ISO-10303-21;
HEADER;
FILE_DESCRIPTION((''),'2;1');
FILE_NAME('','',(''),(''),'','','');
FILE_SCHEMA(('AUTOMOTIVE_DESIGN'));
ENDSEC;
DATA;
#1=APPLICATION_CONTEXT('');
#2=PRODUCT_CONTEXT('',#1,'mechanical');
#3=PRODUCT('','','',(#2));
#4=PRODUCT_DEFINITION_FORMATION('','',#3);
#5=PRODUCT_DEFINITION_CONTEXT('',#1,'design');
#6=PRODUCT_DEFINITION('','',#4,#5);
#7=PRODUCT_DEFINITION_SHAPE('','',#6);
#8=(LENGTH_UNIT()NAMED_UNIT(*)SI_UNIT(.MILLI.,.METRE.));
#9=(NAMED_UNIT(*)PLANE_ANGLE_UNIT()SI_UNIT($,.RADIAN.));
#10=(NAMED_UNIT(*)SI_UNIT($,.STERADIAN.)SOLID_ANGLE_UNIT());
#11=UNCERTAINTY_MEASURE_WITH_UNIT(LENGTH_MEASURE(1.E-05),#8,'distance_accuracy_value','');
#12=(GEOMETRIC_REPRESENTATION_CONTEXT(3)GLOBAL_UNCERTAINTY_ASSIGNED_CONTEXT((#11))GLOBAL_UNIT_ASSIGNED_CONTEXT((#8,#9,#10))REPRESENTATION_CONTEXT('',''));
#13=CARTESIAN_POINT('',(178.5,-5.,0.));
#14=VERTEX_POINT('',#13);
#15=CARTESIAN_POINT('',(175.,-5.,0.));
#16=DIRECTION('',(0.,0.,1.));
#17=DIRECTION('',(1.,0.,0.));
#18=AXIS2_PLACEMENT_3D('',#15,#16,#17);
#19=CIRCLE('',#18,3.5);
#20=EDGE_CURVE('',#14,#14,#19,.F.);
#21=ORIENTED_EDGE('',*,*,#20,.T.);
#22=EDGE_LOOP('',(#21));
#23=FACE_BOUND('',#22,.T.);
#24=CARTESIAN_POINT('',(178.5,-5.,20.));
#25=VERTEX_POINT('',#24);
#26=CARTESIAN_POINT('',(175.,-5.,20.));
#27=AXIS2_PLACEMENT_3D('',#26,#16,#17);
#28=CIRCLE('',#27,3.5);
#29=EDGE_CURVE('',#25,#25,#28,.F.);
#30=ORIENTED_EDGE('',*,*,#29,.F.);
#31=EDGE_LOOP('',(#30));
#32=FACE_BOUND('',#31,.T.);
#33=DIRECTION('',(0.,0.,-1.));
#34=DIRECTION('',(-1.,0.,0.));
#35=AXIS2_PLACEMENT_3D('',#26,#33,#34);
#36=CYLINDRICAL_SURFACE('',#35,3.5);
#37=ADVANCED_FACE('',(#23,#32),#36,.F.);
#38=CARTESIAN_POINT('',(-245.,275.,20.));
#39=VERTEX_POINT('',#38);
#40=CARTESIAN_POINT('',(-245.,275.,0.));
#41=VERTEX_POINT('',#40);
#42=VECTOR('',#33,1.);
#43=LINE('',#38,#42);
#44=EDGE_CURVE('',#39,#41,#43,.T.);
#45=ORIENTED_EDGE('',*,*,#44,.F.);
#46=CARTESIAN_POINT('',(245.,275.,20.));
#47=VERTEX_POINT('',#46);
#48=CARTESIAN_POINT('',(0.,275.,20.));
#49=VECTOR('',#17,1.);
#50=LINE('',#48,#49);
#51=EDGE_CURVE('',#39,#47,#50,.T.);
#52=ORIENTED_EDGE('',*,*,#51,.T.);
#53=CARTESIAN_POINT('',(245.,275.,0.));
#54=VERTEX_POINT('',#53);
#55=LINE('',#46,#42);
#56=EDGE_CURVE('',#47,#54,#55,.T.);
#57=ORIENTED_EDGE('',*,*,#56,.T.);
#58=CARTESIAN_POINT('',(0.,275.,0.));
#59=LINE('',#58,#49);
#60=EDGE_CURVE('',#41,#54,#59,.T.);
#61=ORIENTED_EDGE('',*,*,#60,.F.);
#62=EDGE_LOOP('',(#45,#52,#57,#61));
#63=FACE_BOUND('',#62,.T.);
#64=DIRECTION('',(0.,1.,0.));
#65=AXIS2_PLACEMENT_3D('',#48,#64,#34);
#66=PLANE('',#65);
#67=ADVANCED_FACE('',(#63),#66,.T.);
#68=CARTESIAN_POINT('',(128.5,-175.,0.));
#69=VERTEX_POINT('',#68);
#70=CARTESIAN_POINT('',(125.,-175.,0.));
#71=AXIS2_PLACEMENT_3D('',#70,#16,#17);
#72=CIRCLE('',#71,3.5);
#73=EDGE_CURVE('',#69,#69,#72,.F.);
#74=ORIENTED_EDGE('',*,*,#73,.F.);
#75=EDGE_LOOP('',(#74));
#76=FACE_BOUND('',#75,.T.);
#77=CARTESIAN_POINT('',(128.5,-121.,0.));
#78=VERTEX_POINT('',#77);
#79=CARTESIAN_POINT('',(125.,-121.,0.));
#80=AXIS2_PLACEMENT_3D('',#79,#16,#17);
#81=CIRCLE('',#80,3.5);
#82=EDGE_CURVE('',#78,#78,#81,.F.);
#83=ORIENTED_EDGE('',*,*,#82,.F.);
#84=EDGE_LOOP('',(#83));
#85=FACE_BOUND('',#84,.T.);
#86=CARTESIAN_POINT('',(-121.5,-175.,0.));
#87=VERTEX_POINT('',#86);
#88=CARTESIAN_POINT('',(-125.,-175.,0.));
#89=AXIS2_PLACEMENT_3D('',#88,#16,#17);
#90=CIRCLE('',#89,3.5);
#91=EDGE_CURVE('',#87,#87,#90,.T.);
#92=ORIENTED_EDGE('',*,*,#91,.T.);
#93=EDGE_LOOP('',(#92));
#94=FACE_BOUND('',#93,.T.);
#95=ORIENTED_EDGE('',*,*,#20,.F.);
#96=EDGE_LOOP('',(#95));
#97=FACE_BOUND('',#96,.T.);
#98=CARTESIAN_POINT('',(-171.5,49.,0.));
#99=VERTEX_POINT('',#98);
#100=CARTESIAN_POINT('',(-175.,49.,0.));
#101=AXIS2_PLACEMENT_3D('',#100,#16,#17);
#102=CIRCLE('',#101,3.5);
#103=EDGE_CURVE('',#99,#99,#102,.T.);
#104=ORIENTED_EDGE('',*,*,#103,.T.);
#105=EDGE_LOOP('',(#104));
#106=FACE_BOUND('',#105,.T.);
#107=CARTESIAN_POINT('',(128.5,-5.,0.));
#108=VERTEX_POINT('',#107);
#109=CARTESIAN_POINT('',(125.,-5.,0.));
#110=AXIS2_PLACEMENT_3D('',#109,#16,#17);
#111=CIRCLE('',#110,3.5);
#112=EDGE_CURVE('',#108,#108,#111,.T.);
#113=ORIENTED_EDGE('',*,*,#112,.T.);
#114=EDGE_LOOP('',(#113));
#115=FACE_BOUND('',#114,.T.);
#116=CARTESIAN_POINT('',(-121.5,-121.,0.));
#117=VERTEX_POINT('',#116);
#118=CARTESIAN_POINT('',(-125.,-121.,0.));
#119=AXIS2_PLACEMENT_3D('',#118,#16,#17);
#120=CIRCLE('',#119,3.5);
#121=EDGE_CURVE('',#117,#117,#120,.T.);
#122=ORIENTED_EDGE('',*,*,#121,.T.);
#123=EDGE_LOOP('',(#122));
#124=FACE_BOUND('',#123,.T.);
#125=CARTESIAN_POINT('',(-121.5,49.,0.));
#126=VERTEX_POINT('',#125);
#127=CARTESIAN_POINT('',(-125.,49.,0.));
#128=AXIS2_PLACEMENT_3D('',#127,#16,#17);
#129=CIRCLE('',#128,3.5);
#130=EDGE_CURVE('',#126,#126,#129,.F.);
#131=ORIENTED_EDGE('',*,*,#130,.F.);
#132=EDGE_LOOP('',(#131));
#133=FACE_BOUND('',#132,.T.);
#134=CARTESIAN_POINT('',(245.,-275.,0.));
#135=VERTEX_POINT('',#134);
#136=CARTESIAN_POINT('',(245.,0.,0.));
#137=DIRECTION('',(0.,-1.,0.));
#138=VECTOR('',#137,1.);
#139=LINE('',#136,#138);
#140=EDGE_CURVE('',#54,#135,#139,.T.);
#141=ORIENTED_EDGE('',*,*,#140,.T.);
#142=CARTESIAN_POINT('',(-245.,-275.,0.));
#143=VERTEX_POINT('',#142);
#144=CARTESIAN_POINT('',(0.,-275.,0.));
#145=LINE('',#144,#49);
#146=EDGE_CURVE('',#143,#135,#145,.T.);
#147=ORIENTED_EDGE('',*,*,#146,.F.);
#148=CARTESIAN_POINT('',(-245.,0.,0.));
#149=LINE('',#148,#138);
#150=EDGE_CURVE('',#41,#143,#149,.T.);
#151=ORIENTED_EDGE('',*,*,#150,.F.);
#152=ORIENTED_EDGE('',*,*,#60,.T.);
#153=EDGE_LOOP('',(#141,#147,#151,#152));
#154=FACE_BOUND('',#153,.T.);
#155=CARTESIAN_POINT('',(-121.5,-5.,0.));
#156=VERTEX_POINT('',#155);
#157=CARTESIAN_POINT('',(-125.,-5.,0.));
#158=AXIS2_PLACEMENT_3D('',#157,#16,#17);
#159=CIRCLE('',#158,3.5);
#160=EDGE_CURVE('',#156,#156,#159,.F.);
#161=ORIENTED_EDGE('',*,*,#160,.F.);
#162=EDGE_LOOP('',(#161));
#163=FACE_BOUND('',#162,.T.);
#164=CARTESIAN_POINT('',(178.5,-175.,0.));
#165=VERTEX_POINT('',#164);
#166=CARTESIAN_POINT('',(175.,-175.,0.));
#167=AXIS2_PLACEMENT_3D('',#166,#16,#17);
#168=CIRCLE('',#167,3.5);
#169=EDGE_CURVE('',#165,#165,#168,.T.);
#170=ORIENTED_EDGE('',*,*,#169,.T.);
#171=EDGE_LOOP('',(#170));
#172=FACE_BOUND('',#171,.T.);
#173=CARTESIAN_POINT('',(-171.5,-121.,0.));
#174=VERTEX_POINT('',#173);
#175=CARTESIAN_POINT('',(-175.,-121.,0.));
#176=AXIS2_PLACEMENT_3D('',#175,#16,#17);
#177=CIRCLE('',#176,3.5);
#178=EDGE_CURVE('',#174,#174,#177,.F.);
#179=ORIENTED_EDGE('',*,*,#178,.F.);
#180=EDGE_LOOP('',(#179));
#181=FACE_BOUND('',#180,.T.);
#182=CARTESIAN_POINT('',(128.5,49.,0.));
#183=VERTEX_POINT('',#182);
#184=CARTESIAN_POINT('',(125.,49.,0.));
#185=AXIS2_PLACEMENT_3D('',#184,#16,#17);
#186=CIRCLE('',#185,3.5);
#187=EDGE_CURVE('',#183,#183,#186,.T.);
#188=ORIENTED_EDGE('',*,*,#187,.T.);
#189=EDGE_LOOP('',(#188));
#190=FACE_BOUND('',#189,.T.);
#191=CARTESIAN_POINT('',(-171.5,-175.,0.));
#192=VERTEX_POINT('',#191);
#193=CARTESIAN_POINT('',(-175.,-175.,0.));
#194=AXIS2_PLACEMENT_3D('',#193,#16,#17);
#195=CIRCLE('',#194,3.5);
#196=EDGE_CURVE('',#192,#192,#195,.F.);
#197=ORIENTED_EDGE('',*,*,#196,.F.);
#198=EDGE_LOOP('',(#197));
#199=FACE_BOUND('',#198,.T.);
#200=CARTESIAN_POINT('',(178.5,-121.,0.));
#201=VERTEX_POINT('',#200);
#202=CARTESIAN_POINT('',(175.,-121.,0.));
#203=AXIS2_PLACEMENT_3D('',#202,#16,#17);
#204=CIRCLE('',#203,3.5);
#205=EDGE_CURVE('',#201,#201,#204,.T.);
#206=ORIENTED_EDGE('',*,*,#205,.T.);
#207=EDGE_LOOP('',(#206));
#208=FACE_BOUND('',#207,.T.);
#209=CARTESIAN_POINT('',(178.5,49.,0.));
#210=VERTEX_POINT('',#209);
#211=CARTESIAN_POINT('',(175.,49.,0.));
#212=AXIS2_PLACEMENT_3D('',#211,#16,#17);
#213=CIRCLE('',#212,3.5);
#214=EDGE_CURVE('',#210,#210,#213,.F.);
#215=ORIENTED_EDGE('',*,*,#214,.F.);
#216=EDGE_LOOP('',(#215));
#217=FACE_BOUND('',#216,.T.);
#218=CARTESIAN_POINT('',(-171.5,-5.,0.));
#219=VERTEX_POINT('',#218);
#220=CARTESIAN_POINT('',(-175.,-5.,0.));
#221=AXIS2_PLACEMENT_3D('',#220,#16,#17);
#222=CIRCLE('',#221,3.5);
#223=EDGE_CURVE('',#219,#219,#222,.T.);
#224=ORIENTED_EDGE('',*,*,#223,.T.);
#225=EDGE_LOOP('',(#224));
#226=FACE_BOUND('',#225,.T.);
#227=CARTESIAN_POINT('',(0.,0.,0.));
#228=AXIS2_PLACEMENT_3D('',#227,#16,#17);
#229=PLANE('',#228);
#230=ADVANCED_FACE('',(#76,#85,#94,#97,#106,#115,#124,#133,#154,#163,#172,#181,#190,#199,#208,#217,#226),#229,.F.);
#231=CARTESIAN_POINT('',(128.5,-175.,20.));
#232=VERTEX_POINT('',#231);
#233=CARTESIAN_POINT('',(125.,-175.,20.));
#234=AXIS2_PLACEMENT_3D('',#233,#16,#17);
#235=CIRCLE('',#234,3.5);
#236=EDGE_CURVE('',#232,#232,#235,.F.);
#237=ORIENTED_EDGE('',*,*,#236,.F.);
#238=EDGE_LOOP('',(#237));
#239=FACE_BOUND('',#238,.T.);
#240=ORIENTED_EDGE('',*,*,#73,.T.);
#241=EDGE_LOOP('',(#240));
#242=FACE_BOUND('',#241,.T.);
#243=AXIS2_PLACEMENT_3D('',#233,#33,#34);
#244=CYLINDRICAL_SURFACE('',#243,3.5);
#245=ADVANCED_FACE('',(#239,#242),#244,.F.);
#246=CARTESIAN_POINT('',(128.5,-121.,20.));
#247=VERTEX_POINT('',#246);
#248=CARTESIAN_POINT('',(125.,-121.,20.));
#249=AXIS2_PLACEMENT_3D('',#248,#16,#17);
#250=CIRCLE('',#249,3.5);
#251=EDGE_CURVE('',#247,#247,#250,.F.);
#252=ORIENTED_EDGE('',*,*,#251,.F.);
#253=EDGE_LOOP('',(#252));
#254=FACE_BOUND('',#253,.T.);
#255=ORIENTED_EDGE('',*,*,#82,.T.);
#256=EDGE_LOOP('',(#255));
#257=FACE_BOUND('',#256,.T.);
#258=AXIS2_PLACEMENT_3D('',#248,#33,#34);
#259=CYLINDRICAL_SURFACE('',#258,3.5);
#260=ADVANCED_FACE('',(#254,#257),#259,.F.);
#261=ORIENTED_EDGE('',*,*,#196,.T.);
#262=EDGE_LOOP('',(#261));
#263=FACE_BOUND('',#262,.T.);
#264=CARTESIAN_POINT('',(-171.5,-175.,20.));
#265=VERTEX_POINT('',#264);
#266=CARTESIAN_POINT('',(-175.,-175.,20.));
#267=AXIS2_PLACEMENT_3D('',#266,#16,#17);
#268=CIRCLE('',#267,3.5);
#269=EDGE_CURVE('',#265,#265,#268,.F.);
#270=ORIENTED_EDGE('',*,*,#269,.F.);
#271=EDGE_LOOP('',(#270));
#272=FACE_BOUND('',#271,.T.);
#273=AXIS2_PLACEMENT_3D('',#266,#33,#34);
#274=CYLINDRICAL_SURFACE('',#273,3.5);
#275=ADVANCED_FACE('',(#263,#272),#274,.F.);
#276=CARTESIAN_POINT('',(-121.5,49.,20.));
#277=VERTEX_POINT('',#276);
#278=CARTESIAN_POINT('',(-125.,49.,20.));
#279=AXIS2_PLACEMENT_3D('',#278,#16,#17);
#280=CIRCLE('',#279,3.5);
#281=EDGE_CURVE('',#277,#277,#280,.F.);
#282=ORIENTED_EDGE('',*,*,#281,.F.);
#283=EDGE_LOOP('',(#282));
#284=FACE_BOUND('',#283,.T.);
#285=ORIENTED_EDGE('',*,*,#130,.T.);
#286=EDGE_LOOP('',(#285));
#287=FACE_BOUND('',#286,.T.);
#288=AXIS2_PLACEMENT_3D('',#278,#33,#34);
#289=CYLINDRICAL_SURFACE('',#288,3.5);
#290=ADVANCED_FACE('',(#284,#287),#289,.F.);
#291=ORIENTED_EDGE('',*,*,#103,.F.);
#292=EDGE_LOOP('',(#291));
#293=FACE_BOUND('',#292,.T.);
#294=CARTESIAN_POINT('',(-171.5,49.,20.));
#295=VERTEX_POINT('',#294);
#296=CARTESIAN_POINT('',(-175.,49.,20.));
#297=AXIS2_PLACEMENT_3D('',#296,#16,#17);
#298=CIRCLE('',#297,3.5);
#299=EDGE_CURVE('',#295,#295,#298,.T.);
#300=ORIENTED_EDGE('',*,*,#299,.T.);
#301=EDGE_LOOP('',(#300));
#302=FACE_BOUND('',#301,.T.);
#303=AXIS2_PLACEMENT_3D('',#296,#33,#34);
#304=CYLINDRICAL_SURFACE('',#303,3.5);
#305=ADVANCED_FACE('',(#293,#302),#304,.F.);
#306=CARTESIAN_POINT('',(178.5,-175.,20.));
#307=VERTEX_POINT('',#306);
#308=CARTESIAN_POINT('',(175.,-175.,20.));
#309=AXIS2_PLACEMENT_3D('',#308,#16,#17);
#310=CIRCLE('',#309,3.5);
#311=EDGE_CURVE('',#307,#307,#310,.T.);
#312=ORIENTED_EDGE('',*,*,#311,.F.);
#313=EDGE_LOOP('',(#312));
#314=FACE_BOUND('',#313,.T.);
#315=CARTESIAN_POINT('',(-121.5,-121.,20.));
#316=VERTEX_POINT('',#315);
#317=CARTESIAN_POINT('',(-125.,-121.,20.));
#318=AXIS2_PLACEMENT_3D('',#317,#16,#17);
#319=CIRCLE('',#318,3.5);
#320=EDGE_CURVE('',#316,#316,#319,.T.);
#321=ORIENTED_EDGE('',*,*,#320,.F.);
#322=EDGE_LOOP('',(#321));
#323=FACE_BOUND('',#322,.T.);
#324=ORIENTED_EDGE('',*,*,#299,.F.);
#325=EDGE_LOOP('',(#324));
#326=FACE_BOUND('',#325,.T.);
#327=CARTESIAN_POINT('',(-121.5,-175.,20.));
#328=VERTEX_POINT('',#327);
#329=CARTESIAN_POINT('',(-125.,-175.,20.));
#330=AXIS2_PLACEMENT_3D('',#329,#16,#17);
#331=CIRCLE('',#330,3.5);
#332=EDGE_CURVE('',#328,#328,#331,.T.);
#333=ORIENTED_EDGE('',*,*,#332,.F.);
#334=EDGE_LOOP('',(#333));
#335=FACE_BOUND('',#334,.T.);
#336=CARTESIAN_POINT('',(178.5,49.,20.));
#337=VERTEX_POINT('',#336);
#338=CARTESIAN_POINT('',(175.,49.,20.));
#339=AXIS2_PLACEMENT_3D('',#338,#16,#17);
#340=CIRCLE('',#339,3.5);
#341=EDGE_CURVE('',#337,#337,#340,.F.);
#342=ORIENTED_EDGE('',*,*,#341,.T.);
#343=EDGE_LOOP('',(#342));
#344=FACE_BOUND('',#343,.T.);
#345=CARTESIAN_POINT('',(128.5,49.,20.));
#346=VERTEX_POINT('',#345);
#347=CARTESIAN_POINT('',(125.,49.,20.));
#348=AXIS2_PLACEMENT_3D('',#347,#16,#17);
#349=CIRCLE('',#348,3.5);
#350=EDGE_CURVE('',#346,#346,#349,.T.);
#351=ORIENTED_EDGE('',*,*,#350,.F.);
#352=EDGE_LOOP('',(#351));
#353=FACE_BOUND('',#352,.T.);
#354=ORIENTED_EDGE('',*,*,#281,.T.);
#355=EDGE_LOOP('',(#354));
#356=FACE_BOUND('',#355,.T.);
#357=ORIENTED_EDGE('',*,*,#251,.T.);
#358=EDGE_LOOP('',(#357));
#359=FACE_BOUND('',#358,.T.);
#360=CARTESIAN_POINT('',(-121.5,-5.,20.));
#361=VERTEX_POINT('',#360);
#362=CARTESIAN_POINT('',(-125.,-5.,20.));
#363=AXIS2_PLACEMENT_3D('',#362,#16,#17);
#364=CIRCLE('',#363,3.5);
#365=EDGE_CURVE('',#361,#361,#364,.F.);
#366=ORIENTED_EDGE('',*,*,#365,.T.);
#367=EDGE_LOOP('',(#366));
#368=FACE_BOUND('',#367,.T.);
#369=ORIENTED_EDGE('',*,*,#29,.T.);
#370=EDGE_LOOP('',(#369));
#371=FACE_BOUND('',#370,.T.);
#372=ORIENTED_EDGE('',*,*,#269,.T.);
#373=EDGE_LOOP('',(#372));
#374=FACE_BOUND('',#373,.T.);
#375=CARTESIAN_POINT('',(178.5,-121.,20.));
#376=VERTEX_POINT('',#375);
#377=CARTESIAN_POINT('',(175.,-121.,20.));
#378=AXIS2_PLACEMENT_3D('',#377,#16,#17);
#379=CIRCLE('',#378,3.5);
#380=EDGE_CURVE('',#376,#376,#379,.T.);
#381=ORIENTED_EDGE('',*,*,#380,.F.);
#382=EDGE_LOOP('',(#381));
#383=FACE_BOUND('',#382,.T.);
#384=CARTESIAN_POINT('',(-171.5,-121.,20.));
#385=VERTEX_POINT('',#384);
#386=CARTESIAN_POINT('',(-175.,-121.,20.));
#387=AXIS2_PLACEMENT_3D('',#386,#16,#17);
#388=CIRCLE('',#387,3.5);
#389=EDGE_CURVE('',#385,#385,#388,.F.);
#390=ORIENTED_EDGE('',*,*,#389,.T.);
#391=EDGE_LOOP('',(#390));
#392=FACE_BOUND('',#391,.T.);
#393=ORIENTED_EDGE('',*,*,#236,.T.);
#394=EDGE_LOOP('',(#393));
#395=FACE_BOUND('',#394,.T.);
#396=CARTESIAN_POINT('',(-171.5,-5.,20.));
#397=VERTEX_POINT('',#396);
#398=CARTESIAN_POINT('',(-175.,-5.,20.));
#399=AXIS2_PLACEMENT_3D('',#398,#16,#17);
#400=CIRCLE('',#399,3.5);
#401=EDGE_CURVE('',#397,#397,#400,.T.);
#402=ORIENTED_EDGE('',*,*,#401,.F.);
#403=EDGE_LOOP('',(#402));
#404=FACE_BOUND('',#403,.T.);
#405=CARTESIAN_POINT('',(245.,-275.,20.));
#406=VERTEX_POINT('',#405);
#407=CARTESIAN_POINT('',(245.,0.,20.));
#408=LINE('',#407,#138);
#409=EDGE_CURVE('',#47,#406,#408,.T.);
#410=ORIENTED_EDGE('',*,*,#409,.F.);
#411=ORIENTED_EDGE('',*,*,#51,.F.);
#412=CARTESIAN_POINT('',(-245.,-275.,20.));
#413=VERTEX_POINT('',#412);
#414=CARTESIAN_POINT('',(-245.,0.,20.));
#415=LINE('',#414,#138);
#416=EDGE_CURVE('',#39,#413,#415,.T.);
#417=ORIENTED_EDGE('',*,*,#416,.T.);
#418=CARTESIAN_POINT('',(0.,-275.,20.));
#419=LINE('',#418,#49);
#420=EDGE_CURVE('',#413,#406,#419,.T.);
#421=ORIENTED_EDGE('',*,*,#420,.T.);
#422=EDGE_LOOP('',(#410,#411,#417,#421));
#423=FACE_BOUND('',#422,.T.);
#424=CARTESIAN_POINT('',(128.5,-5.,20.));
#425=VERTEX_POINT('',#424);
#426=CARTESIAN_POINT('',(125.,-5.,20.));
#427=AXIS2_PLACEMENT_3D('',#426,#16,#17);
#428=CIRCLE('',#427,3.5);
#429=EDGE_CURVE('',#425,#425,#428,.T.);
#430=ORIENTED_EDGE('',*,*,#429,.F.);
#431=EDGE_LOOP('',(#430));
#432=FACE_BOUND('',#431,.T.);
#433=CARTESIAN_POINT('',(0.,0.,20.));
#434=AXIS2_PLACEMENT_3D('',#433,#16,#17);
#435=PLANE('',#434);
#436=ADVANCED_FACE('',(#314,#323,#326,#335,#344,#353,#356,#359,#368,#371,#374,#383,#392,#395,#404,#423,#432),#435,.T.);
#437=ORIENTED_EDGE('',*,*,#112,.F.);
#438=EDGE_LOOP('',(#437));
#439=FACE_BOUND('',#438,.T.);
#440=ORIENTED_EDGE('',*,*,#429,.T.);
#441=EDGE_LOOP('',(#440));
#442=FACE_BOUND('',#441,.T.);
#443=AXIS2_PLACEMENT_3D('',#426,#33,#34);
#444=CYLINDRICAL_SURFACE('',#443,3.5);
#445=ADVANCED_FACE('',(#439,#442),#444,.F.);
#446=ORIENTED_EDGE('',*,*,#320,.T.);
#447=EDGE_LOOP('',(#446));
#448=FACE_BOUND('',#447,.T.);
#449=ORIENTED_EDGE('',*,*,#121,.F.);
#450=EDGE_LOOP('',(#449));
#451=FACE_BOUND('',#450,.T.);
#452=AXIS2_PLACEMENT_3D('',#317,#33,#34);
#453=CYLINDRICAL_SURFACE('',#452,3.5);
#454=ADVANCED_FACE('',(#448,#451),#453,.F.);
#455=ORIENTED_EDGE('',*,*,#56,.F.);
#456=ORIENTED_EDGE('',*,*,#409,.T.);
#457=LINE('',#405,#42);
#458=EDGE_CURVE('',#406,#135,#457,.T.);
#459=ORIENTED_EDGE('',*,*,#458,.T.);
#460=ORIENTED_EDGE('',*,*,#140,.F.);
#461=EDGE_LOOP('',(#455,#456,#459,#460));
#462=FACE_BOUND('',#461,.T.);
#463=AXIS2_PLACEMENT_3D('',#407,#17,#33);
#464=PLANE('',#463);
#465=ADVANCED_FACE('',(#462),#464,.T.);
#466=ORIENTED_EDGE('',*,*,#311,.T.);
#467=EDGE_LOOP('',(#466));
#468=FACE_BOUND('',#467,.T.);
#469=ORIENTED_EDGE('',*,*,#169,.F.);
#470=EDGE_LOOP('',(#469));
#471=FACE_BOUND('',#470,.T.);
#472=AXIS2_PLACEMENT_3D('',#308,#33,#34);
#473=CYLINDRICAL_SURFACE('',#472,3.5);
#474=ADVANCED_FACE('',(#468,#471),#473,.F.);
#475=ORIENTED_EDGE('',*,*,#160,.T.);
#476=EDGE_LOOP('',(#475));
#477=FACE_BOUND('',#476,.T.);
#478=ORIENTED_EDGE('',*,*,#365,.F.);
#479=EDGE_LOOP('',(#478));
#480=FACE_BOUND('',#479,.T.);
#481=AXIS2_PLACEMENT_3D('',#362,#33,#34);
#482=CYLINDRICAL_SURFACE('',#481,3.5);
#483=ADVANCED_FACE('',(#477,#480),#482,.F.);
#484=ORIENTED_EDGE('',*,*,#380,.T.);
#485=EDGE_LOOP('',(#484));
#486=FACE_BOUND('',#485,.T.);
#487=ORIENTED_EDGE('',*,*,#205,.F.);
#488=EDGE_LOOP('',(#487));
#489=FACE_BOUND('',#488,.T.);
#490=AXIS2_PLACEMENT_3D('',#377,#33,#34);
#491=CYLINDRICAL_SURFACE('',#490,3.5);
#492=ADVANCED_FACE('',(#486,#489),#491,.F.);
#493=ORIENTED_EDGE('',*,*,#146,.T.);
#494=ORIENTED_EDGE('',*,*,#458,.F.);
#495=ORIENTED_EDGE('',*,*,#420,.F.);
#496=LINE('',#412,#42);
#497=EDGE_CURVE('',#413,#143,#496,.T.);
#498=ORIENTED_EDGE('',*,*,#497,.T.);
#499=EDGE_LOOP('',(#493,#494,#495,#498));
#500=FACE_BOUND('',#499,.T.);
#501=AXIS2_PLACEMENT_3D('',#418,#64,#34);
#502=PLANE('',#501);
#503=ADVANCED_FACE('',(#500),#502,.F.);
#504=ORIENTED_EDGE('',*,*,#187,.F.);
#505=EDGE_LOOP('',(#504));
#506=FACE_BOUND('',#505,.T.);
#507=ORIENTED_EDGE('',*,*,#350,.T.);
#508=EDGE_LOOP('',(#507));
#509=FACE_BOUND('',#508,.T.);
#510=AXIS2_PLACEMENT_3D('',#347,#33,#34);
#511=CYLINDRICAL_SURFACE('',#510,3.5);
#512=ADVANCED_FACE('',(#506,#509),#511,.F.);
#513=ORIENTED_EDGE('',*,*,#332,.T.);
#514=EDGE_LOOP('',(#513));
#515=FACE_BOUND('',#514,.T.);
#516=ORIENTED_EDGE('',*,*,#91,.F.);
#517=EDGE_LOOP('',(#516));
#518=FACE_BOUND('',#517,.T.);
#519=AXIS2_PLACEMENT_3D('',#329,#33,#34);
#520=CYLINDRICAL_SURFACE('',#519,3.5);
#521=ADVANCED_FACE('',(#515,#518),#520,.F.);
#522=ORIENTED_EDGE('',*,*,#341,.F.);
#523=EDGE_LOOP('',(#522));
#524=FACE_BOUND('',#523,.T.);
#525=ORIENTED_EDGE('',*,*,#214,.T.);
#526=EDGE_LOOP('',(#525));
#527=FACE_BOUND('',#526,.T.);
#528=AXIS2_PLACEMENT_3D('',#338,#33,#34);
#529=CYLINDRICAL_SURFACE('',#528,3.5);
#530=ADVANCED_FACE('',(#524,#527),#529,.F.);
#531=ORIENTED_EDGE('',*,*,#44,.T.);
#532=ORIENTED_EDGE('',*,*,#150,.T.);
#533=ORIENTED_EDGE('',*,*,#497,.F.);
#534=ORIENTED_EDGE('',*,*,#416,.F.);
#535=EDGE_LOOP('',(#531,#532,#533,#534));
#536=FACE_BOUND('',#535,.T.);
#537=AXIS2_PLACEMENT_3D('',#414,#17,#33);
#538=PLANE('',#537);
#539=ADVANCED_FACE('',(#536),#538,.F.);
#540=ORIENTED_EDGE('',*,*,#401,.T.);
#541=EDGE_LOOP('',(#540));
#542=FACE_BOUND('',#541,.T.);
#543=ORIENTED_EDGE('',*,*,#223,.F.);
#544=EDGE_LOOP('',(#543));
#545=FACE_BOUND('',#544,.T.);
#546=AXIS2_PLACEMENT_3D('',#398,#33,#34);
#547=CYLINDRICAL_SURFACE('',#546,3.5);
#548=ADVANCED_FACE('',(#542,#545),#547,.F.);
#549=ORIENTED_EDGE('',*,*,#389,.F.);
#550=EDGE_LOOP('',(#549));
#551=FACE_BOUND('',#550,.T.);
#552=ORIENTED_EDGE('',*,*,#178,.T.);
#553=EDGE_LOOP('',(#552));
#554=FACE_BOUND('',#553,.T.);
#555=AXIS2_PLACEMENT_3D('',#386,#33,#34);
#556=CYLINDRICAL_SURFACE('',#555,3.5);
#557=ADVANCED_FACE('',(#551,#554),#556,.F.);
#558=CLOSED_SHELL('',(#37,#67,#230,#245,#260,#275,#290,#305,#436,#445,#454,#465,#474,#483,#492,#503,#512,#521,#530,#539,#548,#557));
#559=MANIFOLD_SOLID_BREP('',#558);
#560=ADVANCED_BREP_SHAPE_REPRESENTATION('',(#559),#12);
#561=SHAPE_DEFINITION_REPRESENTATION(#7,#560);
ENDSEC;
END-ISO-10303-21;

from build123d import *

# Parameters (mm, degrees)
SKETCH_1_W      = 490
SKETCH_1_H      = 550
SKETCH_1_R      = 3.5
EXTRUDE_1_DEPTH = 20


with BuildPart() as part:
    # Эскиз1 → Бобышка-Вытянуть1 (new body)
    with BuildSketch(Plane.XY):
        Rectangle(SKETCH_1_W, SKETCH_1_H)
        with Locations((175, -121)):
            Circle(SKETCH_1_R, mode=Mode.SUBTRACT)
        with Locations((175, -175)):
            Circle(SKETCH_1_R, mode=Mode.SUBTRACT)
        with Locations((125, -121)):
            Circle(SKETCH_1_R, mode=Mode.SUBTRACT)
        with Locations((-125, -121)):
            Circle(SKETCH_1_R, mode=Mode.SUBTRACT)
        with Locations((-125, -175)):
            Circle(SKETCH_1_R, mode=Mode.SUBTRACT)
        with Locations((-175, -121)):
            Circle(SKETCH_1_R, mode=Mode.SUBTRACT)
        with Locations((175, -5)):
            Circle(SKETCH_1_R, mode=Mode.SUBTRACT)
        with Locations((125, -5)):
            Circle(SKETCH_1_R, mode=Mode.SUBTRACT)
        with Locations((125, 49)):
            Circle(SKETCH_1_R, mode=Mode.SUBTRACT)
        with Locations((-125, -5)):
            Circle(SKETCH_1_R, mode=Mode.SUBTRACT)
        with Locations((-175, -5)):
            Circle(SKETCH_1_R, mode=Mode.SUBTRACT)
        with Locations((-175, 49)):
            Circle(SKETCH_1_R, mode=Mode.SUBTRACT)
        with Locations((-125, 49)):
            Circle(SKETCH_1_R, mode=Mode.SUBTRACT)
        with Locations((175, 49)):
            Circle(SKETCH_1_R, mode=Mode.SUBTRACT)
        with Locations((-175, -175)):
            Circle(SKETCH_1_R, mode=Mode.SUBTRACT)
        with Locations((125, -175)):
            Circle(SKETCH_1_R, mode=Mode.SUBTRACT)
    extrude(amount=EXTRUDE_1_DEPTH)


solid = part.part
